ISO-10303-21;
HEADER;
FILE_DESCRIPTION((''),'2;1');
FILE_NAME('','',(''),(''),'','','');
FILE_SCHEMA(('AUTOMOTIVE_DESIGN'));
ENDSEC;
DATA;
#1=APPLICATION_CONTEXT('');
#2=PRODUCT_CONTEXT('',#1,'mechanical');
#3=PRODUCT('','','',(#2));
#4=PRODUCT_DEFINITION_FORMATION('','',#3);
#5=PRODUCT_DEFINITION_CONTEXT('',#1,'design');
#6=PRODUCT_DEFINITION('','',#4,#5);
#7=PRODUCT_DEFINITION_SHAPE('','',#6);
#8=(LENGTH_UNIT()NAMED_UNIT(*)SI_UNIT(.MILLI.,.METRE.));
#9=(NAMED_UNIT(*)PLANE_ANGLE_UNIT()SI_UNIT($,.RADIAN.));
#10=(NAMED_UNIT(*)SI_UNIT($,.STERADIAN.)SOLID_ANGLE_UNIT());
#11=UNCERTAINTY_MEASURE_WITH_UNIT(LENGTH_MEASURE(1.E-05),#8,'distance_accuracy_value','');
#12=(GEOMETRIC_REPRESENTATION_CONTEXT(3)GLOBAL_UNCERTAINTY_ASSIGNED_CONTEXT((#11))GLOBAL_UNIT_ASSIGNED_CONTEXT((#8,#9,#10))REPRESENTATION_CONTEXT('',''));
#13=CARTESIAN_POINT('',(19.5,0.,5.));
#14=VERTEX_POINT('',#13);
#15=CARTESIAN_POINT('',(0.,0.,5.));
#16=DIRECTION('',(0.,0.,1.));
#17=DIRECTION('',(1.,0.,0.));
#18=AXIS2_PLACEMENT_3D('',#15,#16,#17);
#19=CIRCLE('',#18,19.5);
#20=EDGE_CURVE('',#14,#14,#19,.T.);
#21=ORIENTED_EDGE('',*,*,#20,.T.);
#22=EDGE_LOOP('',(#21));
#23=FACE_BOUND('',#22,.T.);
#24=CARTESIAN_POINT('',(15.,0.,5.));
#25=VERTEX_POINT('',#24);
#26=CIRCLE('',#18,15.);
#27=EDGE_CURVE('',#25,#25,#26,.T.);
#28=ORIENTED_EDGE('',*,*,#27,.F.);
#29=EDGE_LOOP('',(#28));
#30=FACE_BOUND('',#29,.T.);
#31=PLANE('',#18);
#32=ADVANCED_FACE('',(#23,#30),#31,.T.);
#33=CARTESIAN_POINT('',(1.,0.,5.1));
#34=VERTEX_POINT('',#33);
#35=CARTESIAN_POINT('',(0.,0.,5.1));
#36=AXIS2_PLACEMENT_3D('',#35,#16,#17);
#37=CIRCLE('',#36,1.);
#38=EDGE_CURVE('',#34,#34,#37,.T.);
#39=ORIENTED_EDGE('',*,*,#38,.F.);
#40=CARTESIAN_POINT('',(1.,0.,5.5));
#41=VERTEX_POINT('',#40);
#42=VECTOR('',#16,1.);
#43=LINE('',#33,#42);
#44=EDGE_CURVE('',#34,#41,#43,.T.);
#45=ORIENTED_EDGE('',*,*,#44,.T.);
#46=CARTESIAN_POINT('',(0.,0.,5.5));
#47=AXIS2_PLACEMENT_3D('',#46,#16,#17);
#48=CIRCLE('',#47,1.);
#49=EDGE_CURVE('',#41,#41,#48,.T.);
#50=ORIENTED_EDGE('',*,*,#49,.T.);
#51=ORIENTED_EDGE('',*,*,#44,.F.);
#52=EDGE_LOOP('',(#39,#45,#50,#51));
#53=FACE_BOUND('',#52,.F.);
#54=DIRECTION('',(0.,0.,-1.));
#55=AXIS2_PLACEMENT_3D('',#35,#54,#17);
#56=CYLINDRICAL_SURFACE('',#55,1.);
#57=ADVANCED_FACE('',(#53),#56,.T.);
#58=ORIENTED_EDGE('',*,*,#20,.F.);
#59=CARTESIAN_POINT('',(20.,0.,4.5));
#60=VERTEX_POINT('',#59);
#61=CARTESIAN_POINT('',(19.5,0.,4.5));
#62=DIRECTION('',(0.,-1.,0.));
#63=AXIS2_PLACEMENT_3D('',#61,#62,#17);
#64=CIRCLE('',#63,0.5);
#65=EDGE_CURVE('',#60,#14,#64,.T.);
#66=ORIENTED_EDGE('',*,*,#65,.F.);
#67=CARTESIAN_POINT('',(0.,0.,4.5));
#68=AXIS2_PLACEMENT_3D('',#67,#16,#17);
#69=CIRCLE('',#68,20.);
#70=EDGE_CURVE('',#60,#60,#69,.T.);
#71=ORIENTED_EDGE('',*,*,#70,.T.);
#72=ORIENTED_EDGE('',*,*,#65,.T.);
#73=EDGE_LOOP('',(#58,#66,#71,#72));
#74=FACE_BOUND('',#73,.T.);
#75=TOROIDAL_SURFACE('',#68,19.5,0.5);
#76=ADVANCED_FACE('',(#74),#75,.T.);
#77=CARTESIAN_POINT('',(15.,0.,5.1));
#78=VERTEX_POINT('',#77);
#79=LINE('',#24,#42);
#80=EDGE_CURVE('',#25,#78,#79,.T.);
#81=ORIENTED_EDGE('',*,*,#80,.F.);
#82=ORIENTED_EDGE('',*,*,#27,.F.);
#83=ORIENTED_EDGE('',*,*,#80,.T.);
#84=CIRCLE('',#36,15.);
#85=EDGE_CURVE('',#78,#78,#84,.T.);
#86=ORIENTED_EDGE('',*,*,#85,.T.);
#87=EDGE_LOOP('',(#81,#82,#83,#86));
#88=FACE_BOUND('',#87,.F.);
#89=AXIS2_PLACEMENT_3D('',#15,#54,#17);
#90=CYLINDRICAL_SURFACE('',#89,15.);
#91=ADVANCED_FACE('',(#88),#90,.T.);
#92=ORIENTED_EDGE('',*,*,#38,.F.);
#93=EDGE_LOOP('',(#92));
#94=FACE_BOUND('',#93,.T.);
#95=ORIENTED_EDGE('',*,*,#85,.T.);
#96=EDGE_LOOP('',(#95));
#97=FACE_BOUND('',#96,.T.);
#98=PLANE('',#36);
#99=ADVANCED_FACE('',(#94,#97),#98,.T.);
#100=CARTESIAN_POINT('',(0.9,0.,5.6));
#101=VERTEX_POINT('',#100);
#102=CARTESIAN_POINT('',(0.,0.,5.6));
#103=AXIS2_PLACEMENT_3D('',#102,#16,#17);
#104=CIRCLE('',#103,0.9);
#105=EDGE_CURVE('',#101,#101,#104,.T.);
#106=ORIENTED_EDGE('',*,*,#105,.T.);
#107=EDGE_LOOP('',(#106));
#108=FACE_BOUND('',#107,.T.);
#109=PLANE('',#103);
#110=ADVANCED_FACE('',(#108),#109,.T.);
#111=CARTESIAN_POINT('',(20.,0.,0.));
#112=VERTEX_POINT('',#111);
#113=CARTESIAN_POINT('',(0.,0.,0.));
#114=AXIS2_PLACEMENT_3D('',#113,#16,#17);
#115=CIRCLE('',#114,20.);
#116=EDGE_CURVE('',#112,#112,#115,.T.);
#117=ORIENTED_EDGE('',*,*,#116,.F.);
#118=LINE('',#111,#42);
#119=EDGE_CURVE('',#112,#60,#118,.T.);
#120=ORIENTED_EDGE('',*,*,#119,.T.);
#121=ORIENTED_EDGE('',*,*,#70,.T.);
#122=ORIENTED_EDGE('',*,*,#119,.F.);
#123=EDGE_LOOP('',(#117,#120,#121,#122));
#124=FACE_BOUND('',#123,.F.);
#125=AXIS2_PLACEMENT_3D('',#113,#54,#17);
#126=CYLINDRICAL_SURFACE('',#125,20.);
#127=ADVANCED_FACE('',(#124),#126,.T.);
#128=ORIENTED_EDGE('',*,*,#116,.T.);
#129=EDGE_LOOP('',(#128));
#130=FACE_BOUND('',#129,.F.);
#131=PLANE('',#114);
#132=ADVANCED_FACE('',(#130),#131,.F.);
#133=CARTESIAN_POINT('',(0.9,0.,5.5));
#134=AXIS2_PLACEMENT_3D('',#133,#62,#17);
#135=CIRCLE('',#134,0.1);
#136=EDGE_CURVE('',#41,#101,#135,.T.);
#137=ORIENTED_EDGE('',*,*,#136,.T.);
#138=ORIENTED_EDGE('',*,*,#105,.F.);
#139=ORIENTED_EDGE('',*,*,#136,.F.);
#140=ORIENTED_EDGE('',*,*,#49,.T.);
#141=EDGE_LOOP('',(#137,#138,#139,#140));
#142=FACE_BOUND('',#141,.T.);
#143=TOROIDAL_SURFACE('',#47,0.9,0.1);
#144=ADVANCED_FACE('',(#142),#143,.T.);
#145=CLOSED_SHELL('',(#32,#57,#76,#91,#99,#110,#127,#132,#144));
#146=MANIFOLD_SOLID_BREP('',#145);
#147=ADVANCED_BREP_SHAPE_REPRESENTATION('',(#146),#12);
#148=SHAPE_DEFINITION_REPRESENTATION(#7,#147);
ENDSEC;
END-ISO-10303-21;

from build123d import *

# Parameters (mm, degrees)
F0_R     = 20
F1_DEPTH = 5
F2_R     = 15
F3_DEPTH = 0.1
F4_R     = 0.5
F5_R     = 1
F6_DEPTH = 0.5
F7_R     = 0.1


with BuildPart() as f1:
    # F0 (on Top) → F1 (new body)
    with BuildSketch(Plane.XY):
        Circle(F0_R)
    extrude(amount=F1_DEPTH)

    # F2 (on face) → F3 (join)
    with BuildSketch(Plane.XY.offset(5)):
        Circle(F2_R)
    extrude(amount=F3_DEPTH)

    # F4
    f4_edges = [f1.edges().sort_by_distance(p)[0] for p in [
        (-20, 0, 5),
    ]]
    fillet(f4_edges, radius=F4_R)

    # F5 (on face) → F6 (join)
    with BuildSketch(Plane.XY.offset(5.1)):
        Circle(F5_R)
    extrude(amount=F6_DEPTH)

    # F7
    f7_edges = [f1.edges().sort_by_distance(p)[0] for p in [
        (-1, 0, 5.6),
    ]]
    fillet(f7_edges, radius=F7_R)


solid = f1.part
